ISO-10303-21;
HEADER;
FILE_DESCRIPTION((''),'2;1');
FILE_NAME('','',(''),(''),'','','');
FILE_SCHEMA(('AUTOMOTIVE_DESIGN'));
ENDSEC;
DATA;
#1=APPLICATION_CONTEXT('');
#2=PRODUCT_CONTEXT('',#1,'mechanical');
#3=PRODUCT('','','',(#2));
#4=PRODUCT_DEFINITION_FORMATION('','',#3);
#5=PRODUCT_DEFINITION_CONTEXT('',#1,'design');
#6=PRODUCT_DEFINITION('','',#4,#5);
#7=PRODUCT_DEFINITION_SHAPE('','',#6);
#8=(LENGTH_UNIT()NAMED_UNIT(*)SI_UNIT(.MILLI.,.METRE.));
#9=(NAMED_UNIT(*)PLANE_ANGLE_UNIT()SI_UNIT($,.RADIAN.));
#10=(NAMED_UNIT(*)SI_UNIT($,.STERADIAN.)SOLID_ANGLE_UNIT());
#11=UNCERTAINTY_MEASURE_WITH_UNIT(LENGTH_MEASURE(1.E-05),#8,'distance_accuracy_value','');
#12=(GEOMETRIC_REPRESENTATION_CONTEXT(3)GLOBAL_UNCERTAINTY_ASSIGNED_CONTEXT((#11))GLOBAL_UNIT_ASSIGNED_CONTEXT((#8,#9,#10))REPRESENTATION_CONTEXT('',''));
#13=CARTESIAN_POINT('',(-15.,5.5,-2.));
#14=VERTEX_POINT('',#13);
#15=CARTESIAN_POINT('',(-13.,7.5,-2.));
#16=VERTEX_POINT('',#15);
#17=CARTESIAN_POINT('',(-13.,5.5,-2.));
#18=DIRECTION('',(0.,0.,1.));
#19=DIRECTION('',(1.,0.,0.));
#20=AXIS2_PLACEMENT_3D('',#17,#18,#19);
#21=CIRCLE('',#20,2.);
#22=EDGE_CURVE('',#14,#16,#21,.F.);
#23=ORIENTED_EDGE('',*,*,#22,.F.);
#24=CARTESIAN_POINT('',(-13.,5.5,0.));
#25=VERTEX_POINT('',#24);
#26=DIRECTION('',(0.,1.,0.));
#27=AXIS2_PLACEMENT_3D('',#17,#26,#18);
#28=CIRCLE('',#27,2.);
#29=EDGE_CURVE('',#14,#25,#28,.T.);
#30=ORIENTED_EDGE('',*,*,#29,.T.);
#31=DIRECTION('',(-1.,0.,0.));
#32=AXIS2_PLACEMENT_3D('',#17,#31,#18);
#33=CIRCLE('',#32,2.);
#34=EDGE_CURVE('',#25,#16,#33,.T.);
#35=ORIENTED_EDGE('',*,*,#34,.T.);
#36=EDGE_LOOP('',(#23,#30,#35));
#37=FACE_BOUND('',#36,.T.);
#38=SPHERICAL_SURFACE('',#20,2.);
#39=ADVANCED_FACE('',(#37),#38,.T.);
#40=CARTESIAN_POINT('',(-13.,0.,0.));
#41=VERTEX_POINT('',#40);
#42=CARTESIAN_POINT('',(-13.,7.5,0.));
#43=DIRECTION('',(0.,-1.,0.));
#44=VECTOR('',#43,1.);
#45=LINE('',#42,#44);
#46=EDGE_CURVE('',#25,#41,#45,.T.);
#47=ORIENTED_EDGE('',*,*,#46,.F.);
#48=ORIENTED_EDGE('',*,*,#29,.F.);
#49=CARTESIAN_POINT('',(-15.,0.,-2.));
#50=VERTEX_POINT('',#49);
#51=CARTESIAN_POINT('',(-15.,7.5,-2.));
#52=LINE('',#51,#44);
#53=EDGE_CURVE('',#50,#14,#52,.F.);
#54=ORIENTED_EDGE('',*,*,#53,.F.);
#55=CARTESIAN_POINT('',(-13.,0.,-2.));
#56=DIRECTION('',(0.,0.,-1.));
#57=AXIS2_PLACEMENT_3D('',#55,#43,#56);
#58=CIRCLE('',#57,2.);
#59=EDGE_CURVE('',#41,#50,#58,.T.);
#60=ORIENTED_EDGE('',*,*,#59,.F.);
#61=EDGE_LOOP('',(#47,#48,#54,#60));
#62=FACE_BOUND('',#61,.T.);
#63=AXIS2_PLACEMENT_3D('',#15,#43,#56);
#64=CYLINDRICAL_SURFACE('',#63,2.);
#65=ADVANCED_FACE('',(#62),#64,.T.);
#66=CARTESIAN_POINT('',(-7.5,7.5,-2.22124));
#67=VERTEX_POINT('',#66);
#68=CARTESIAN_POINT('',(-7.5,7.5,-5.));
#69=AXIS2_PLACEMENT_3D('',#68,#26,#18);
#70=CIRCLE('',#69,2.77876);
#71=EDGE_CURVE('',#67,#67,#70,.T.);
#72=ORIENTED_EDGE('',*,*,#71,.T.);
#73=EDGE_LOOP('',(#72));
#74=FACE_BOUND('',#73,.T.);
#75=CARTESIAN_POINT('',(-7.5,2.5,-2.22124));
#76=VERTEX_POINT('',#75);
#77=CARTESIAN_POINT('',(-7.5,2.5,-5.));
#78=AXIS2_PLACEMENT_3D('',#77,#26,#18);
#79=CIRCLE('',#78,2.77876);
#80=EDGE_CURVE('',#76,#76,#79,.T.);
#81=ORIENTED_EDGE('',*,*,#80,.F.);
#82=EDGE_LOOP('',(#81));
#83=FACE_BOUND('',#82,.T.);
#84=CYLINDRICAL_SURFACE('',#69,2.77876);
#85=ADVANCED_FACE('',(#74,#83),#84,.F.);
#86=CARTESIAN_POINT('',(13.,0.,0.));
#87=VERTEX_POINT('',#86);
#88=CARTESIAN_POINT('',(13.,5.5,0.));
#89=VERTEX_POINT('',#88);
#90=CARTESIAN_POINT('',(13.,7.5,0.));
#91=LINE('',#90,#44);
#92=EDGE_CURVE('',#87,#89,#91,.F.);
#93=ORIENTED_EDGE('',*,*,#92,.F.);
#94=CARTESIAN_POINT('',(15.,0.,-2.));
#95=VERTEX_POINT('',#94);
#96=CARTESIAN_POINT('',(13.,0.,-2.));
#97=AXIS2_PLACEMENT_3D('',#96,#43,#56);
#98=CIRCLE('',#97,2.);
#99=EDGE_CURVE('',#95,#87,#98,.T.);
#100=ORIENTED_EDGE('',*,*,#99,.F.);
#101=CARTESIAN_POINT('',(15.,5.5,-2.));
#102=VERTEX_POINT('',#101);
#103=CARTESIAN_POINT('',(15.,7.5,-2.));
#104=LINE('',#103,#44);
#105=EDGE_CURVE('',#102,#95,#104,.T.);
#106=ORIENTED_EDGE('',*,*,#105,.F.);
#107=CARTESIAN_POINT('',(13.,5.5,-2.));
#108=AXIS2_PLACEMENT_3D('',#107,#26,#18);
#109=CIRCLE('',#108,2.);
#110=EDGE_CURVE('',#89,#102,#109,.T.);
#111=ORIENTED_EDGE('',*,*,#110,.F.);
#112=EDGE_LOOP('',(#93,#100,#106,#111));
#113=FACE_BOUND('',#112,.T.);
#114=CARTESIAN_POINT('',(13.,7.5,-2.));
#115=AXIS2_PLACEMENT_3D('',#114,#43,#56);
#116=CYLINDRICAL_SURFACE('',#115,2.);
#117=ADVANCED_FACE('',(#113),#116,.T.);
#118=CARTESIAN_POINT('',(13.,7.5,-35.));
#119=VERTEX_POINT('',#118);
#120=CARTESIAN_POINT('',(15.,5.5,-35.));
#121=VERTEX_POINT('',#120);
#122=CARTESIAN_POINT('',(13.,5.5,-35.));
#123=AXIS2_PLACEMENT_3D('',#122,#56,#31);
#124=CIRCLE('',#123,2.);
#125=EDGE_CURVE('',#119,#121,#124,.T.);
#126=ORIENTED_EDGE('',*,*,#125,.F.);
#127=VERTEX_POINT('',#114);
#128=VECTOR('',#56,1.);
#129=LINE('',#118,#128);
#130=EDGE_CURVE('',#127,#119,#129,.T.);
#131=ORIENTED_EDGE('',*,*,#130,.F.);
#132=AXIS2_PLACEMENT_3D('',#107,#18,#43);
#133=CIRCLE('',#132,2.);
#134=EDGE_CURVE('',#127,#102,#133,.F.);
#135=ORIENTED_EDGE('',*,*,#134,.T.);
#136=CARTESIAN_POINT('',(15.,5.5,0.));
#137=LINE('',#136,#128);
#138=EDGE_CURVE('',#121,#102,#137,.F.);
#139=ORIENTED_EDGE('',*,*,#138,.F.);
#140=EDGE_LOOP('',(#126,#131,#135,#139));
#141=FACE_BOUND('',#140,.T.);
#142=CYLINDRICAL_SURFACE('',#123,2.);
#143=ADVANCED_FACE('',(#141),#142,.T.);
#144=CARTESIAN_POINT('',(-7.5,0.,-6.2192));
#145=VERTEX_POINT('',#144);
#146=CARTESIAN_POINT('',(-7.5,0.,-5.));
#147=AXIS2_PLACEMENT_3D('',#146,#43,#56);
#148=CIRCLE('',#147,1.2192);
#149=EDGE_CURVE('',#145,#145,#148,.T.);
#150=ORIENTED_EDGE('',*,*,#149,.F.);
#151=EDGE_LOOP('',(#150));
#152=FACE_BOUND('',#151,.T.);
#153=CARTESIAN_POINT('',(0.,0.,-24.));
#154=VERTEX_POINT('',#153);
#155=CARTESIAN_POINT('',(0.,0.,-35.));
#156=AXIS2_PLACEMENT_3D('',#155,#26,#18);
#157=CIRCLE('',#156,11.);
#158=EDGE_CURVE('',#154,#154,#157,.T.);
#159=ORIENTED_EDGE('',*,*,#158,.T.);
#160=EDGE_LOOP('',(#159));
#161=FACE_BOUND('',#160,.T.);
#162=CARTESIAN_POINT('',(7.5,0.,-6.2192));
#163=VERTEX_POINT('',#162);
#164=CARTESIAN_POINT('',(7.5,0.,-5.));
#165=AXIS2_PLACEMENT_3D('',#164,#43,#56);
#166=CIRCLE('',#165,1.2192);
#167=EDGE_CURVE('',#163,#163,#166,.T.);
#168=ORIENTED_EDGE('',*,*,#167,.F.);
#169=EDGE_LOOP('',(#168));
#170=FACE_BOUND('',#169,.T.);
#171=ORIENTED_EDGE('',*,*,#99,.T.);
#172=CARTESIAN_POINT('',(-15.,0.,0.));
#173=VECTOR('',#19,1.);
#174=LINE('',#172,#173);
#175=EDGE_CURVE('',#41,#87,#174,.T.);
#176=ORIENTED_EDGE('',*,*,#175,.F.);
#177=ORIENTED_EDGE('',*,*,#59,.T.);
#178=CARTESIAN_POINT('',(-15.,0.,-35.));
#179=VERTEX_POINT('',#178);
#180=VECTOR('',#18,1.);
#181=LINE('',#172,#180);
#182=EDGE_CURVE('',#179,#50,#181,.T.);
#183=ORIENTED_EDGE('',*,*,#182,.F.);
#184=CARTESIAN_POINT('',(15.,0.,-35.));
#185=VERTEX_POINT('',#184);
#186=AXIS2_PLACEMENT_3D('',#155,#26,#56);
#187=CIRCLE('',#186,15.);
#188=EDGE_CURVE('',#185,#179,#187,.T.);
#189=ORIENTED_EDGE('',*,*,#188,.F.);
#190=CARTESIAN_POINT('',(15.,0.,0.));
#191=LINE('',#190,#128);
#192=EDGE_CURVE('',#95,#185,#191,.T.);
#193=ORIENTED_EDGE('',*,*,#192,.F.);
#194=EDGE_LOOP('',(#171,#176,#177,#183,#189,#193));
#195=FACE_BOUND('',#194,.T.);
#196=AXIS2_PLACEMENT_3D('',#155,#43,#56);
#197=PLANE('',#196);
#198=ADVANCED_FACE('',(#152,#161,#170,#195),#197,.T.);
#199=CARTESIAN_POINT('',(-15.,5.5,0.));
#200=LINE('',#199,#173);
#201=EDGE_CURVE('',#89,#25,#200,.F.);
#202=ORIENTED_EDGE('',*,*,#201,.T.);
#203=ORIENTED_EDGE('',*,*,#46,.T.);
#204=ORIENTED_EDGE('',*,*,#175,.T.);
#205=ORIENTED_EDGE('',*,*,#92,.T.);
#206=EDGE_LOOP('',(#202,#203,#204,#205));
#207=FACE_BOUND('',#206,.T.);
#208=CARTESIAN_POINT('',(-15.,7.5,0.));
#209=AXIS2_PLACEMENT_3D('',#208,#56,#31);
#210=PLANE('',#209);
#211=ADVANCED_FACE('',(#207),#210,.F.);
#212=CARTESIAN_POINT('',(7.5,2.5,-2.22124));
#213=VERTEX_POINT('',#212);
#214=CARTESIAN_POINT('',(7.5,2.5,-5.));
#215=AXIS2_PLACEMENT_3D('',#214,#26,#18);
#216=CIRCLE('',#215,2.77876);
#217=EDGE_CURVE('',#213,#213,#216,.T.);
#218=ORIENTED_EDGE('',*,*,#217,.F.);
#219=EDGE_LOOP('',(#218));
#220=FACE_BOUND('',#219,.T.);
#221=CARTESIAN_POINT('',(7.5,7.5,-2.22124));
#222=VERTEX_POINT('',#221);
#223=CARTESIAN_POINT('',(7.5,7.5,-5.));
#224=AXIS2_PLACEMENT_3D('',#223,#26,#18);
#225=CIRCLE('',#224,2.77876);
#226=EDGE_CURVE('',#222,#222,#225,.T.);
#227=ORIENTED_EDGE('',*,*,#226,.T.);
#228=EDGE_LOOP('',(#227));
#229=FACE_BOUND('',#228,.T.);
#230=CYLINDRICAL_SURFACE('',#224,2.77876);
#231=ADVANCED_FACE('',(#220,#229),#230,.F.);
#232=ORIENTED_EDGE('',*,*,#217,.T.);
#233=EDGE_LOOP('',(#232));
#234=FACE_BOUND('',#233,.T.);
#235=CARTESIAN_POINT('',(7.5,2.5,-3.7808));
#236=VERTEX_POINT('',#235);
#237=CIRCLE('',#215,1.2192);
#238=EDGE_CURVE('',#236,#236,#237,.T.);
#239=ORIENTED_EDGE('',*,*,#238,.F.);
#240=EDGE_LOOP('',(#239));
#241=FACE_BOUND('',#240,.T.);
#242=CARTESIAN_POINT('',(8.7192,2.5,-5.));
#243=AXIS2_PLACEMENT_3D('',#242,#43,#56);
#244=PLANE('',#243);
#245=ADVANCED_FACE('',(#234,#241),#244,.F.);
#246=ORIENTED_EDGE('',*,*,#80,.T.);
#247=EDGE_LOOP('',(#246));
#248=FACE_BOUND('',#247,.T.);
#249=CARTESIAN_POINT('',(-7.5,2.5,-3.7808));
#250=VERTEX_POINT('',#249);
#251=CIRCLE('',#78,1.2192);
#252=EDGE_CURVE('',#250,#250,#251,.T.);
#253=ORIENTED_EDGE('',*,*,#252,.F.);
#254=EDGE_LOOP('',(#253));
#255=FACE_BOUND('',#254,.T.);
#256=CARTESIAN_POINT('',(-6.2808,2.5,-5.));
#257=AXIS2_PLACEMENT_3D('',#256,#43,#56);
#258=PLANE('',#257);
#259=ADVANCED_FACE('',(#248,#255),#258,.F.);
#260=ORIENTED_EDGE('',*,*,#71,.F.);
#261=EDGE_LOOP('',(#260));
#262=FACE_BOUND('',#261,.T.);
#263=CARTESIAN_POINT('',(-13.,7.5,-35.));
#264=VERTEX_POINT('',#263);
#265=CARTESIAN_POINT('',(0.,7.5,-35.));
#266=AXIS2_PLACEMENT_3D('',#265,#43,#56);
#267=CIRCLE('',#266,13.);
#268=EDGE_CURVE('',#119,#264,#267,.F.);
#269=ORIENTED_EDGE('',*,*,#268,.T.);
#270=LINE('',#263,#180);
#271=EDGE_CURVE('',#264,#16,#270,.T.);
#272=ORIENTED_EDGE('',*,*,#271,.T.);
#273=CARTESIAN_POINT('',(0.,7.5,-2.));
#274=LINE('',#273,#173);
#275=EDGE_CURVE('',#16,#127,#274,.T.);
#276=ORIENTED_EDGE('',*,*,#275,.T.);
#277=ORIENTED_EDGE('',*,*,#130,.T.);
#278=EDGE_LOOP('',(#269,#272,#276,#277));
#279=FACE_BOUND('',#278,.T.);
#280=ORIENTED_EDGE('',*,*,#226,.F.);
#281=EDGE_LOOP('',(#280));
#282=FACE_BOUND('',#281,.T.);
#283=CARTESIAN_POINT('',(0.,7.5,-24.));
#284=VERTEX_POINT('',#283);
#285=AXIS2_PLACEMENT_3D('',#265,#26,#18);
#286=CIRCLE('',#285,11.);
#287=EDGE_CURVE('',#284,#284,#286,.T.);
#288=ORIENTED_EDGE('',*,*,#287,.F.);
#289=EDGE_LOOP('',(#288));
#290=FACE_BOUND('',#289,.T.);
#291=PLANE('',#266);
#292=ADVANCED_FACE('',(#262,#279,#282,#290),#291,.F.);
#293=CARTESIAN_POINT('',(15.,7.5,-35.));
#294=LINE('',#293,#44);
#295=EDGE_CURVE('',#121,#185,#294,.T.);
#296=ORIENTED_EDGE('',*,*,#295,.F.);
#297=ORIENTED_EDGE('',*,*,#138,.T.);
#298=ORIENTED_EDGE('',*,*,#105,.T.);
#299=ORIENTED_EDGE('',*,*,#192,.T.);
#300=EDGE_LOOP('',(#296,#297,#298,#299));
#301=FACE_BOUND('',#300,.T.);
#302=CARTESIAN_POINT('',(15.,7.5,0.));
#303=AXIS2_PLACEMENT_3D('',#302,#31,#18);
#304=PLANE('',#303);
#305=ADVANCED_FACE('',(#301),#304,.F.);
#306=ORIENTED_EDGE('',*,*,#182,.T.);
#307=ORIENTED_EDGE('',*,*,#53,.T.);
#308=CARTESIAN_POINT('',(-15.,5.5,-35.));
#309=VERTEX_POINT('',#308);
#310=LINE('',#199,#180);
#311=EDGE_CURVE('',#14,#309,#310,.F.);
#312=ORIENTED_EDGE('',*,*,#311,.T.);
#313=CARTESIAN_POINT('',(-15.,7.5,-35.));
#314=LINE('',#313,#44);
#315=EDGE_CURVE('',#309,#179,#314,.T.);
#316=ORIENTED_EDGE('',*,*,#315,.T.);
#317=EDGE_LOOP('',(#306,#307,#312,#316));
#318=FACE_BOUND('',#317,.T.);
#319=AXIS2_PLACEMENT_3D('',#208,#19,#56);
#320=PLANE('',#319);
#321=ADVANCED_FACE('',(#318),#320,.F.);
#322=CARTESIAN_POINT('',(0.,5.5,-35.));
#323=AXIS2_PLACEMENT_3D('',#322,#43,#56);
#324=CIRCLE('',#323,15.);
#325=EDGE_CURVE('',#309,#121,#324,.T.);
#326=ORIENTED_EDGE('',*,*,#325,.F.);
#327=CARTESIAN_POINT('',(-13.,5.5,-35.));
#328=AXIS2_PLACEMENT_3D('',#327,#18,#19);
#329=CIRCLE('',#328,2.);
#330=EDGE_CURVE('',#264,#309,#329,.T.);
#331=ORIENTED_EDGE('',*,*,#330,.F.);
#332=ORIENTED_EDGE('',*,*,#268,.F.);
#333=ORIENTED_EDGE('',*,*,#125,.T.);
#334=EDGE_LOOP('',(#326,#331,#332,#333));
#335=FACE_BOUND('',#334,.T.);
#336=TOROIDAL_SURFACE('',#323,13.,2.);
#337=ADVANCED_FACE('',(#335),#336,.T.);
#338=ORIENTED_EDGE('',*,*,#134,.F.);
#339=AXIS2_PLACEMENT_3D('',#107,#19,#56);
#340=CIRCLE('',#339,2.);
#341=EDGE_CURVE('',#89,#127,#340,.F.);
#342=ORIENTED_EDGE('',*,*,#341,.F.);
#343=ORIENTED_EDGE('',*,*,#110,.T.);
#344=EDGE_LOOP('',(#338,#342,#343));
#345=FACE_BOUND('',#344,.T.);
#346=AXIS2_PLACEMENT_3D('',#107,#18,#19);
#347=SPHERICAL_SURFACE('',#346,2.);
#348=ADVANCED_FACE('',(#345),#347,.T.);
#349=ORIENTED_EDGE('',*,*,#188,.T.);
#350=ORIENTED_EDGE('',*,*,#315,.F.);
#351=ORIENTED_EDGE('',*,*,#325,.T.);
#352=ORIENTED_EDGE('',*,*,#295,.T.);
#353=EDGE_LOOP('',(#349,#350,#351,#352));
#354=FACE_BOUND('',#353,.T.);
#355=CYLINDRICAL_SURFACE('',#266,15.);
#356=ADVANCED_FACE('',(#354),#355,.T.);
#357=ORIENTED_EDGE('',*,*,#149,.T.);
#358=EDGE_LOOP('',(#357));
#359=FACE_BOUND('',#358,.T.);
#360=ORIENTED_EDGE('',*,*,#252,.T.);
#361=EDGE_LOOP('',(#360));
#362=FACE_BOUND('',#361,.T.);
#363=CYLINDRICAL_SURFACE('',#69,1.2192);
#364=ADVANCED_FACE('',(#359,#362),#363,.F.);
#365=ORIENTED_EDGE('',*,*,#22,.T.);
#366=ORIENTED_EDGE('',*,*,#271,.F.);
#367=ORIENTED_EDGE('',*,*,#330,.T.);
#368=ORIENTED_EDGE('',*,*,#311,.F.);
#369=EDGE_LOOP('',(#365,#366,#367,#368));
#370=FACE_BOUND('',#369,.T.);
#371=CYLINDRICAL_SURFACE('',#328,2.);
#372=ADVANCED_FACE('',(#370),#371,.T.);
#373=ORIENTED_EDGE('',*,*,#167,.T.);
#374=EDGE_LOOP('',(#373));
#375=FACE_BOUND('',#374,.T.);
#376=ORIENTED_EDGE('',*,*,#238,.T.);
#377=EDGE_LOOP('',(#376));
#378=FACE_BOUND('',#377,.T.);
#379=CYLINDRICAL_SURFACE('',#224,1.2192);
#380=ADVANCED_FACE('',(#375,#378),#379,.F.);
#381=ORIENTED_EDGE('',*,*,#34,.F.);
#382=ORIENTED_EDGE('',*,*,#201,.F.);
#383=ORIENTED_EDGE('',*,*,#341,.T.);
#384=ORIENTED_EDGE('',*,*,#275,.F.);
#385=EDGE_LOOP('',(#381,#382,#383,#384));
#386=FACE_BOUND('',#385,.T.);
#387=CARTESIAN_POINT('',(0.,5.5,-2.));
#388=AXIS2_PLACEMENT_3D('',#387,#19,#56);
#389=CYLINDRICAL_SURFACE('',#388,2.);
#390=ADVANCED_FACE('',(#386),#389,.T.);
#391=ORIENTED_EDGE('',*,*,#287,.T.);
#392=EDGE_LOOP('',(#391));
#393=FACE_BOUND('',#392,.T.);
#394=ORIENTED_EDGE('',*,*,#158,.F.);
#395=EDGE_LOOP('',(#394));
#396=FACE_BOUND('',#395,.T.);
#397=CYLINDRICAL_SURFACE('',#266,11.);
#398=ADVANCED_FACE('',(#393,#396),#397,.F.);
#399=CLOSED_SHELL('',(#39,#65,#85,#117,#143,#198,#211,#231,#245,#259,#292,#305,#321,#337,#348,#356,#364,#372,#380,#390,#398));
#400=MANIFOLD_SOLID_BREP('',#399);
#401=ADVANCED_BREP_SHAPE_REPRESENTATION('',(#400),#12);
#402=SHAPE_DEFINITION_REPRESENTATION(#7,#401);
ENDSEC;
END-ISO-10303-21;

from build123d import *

# Parameters (mm, degrees)
SKETCH1_R                                           = 11
BOSS_EXTRUDE1_DEPTH                                 = 7.5
CBORE_FOR_2_BINDING_HEAD_MACHINE_SCREW1_D           = 2.4384
CBORE_FOR_2_BINDING_HEAD_MACHINE_SCREW1_DEPTH       = 10
CBORE_FOR_2_BINDING_HEAD_MACHINE_SCREW1_CBORE_D     = 5.55752
CBORE_FOR_2_BINDING_HEAD_MACHINE_SCREW1_CBORE_DEPTH = 4.999999906
CBORE_FOR_2_BINDING_HEAD_MACHINE_SCREW1_TIP         = 0.732569267
FILLET1_R                                           = 2


with BuildPart() as part:
    # Sketch1 → Boss-Extrude1 (new body)
    with BuildSketch(Plane(origin=(0, 0, 0), x_dir=(1, 0, 0), z_dir=(0, 1, 0))):
        with BuildLine():
            Line((-15, 0), (15, 0))
            Line((15, 0), (15, 35))
            ThreePointArc((15, 35), (0, 50), (-15, 35))
            Line((-15, 35), (-15, 0))
        make_face()
        with Locations(Location((0, 35, 0), (0, 0, 270))):
            Circle(SKETCH1_R, mode=Mode.SUBTRACT)
    extrude(amount=BOSS_EXTRUDE1_DEPTH)

    # CBORE for #2 Binding Head Machine Screw1
    with Locations(Plane(origin=(0, 7.5, 0), x_dir=(1, 0, 0), z_dir=(0, 1, 0))):
        with Locations((-7.5, 5), (7.5, 5)):
            CounterBoreHole(CBORE_FOR_2_BINDING_HEAD_MACHINE_SCREW1_D / 2, CBORE_FOR_2_BINDING_HEAD_MACHINE_SCREW1_CBORE_D / 2, CBORE_FOR_2_BINDING_HEAD_MACHINE_SCREW1_CBORE_DEPTH, depth=CBORE_FOR_2_BINDING_HEAD_MACHINE_SCREW1_DEPTH)
            with Locations((0, 0, -(CBORE_FOR_2_BINDING_HEAD_MACHINE_SCREW1_DEPTH + CBORE_FOR_2_BINDING_HEAD_MACHINE_SCREW1_TIP / 2))):  # 118° drill point
                Cone(0, CBORE_FOR_2_BINDING_HEAD_MACHINE_SCREW1_D / 2, CBORE_FOR_2_BINDING_HEAD_MACHINE_SCREW1_TIP, mode=Mode.SUBTRACT)

    # Fillet1
    fillet1_edges = [part.edges().sort_by_distance(p)[0] for p in [
        (15, 7.5, -17.5),
        (0, 7.5, -50),
        (-15, 7.5, -17.5),
        (15, 3.75, 0),
        (-15, 3.75, 0),
        (0, 7.5, 0),
    ]]
    fillet(fillet1_edges, radius=FILLET1_R)


solid = part.part
